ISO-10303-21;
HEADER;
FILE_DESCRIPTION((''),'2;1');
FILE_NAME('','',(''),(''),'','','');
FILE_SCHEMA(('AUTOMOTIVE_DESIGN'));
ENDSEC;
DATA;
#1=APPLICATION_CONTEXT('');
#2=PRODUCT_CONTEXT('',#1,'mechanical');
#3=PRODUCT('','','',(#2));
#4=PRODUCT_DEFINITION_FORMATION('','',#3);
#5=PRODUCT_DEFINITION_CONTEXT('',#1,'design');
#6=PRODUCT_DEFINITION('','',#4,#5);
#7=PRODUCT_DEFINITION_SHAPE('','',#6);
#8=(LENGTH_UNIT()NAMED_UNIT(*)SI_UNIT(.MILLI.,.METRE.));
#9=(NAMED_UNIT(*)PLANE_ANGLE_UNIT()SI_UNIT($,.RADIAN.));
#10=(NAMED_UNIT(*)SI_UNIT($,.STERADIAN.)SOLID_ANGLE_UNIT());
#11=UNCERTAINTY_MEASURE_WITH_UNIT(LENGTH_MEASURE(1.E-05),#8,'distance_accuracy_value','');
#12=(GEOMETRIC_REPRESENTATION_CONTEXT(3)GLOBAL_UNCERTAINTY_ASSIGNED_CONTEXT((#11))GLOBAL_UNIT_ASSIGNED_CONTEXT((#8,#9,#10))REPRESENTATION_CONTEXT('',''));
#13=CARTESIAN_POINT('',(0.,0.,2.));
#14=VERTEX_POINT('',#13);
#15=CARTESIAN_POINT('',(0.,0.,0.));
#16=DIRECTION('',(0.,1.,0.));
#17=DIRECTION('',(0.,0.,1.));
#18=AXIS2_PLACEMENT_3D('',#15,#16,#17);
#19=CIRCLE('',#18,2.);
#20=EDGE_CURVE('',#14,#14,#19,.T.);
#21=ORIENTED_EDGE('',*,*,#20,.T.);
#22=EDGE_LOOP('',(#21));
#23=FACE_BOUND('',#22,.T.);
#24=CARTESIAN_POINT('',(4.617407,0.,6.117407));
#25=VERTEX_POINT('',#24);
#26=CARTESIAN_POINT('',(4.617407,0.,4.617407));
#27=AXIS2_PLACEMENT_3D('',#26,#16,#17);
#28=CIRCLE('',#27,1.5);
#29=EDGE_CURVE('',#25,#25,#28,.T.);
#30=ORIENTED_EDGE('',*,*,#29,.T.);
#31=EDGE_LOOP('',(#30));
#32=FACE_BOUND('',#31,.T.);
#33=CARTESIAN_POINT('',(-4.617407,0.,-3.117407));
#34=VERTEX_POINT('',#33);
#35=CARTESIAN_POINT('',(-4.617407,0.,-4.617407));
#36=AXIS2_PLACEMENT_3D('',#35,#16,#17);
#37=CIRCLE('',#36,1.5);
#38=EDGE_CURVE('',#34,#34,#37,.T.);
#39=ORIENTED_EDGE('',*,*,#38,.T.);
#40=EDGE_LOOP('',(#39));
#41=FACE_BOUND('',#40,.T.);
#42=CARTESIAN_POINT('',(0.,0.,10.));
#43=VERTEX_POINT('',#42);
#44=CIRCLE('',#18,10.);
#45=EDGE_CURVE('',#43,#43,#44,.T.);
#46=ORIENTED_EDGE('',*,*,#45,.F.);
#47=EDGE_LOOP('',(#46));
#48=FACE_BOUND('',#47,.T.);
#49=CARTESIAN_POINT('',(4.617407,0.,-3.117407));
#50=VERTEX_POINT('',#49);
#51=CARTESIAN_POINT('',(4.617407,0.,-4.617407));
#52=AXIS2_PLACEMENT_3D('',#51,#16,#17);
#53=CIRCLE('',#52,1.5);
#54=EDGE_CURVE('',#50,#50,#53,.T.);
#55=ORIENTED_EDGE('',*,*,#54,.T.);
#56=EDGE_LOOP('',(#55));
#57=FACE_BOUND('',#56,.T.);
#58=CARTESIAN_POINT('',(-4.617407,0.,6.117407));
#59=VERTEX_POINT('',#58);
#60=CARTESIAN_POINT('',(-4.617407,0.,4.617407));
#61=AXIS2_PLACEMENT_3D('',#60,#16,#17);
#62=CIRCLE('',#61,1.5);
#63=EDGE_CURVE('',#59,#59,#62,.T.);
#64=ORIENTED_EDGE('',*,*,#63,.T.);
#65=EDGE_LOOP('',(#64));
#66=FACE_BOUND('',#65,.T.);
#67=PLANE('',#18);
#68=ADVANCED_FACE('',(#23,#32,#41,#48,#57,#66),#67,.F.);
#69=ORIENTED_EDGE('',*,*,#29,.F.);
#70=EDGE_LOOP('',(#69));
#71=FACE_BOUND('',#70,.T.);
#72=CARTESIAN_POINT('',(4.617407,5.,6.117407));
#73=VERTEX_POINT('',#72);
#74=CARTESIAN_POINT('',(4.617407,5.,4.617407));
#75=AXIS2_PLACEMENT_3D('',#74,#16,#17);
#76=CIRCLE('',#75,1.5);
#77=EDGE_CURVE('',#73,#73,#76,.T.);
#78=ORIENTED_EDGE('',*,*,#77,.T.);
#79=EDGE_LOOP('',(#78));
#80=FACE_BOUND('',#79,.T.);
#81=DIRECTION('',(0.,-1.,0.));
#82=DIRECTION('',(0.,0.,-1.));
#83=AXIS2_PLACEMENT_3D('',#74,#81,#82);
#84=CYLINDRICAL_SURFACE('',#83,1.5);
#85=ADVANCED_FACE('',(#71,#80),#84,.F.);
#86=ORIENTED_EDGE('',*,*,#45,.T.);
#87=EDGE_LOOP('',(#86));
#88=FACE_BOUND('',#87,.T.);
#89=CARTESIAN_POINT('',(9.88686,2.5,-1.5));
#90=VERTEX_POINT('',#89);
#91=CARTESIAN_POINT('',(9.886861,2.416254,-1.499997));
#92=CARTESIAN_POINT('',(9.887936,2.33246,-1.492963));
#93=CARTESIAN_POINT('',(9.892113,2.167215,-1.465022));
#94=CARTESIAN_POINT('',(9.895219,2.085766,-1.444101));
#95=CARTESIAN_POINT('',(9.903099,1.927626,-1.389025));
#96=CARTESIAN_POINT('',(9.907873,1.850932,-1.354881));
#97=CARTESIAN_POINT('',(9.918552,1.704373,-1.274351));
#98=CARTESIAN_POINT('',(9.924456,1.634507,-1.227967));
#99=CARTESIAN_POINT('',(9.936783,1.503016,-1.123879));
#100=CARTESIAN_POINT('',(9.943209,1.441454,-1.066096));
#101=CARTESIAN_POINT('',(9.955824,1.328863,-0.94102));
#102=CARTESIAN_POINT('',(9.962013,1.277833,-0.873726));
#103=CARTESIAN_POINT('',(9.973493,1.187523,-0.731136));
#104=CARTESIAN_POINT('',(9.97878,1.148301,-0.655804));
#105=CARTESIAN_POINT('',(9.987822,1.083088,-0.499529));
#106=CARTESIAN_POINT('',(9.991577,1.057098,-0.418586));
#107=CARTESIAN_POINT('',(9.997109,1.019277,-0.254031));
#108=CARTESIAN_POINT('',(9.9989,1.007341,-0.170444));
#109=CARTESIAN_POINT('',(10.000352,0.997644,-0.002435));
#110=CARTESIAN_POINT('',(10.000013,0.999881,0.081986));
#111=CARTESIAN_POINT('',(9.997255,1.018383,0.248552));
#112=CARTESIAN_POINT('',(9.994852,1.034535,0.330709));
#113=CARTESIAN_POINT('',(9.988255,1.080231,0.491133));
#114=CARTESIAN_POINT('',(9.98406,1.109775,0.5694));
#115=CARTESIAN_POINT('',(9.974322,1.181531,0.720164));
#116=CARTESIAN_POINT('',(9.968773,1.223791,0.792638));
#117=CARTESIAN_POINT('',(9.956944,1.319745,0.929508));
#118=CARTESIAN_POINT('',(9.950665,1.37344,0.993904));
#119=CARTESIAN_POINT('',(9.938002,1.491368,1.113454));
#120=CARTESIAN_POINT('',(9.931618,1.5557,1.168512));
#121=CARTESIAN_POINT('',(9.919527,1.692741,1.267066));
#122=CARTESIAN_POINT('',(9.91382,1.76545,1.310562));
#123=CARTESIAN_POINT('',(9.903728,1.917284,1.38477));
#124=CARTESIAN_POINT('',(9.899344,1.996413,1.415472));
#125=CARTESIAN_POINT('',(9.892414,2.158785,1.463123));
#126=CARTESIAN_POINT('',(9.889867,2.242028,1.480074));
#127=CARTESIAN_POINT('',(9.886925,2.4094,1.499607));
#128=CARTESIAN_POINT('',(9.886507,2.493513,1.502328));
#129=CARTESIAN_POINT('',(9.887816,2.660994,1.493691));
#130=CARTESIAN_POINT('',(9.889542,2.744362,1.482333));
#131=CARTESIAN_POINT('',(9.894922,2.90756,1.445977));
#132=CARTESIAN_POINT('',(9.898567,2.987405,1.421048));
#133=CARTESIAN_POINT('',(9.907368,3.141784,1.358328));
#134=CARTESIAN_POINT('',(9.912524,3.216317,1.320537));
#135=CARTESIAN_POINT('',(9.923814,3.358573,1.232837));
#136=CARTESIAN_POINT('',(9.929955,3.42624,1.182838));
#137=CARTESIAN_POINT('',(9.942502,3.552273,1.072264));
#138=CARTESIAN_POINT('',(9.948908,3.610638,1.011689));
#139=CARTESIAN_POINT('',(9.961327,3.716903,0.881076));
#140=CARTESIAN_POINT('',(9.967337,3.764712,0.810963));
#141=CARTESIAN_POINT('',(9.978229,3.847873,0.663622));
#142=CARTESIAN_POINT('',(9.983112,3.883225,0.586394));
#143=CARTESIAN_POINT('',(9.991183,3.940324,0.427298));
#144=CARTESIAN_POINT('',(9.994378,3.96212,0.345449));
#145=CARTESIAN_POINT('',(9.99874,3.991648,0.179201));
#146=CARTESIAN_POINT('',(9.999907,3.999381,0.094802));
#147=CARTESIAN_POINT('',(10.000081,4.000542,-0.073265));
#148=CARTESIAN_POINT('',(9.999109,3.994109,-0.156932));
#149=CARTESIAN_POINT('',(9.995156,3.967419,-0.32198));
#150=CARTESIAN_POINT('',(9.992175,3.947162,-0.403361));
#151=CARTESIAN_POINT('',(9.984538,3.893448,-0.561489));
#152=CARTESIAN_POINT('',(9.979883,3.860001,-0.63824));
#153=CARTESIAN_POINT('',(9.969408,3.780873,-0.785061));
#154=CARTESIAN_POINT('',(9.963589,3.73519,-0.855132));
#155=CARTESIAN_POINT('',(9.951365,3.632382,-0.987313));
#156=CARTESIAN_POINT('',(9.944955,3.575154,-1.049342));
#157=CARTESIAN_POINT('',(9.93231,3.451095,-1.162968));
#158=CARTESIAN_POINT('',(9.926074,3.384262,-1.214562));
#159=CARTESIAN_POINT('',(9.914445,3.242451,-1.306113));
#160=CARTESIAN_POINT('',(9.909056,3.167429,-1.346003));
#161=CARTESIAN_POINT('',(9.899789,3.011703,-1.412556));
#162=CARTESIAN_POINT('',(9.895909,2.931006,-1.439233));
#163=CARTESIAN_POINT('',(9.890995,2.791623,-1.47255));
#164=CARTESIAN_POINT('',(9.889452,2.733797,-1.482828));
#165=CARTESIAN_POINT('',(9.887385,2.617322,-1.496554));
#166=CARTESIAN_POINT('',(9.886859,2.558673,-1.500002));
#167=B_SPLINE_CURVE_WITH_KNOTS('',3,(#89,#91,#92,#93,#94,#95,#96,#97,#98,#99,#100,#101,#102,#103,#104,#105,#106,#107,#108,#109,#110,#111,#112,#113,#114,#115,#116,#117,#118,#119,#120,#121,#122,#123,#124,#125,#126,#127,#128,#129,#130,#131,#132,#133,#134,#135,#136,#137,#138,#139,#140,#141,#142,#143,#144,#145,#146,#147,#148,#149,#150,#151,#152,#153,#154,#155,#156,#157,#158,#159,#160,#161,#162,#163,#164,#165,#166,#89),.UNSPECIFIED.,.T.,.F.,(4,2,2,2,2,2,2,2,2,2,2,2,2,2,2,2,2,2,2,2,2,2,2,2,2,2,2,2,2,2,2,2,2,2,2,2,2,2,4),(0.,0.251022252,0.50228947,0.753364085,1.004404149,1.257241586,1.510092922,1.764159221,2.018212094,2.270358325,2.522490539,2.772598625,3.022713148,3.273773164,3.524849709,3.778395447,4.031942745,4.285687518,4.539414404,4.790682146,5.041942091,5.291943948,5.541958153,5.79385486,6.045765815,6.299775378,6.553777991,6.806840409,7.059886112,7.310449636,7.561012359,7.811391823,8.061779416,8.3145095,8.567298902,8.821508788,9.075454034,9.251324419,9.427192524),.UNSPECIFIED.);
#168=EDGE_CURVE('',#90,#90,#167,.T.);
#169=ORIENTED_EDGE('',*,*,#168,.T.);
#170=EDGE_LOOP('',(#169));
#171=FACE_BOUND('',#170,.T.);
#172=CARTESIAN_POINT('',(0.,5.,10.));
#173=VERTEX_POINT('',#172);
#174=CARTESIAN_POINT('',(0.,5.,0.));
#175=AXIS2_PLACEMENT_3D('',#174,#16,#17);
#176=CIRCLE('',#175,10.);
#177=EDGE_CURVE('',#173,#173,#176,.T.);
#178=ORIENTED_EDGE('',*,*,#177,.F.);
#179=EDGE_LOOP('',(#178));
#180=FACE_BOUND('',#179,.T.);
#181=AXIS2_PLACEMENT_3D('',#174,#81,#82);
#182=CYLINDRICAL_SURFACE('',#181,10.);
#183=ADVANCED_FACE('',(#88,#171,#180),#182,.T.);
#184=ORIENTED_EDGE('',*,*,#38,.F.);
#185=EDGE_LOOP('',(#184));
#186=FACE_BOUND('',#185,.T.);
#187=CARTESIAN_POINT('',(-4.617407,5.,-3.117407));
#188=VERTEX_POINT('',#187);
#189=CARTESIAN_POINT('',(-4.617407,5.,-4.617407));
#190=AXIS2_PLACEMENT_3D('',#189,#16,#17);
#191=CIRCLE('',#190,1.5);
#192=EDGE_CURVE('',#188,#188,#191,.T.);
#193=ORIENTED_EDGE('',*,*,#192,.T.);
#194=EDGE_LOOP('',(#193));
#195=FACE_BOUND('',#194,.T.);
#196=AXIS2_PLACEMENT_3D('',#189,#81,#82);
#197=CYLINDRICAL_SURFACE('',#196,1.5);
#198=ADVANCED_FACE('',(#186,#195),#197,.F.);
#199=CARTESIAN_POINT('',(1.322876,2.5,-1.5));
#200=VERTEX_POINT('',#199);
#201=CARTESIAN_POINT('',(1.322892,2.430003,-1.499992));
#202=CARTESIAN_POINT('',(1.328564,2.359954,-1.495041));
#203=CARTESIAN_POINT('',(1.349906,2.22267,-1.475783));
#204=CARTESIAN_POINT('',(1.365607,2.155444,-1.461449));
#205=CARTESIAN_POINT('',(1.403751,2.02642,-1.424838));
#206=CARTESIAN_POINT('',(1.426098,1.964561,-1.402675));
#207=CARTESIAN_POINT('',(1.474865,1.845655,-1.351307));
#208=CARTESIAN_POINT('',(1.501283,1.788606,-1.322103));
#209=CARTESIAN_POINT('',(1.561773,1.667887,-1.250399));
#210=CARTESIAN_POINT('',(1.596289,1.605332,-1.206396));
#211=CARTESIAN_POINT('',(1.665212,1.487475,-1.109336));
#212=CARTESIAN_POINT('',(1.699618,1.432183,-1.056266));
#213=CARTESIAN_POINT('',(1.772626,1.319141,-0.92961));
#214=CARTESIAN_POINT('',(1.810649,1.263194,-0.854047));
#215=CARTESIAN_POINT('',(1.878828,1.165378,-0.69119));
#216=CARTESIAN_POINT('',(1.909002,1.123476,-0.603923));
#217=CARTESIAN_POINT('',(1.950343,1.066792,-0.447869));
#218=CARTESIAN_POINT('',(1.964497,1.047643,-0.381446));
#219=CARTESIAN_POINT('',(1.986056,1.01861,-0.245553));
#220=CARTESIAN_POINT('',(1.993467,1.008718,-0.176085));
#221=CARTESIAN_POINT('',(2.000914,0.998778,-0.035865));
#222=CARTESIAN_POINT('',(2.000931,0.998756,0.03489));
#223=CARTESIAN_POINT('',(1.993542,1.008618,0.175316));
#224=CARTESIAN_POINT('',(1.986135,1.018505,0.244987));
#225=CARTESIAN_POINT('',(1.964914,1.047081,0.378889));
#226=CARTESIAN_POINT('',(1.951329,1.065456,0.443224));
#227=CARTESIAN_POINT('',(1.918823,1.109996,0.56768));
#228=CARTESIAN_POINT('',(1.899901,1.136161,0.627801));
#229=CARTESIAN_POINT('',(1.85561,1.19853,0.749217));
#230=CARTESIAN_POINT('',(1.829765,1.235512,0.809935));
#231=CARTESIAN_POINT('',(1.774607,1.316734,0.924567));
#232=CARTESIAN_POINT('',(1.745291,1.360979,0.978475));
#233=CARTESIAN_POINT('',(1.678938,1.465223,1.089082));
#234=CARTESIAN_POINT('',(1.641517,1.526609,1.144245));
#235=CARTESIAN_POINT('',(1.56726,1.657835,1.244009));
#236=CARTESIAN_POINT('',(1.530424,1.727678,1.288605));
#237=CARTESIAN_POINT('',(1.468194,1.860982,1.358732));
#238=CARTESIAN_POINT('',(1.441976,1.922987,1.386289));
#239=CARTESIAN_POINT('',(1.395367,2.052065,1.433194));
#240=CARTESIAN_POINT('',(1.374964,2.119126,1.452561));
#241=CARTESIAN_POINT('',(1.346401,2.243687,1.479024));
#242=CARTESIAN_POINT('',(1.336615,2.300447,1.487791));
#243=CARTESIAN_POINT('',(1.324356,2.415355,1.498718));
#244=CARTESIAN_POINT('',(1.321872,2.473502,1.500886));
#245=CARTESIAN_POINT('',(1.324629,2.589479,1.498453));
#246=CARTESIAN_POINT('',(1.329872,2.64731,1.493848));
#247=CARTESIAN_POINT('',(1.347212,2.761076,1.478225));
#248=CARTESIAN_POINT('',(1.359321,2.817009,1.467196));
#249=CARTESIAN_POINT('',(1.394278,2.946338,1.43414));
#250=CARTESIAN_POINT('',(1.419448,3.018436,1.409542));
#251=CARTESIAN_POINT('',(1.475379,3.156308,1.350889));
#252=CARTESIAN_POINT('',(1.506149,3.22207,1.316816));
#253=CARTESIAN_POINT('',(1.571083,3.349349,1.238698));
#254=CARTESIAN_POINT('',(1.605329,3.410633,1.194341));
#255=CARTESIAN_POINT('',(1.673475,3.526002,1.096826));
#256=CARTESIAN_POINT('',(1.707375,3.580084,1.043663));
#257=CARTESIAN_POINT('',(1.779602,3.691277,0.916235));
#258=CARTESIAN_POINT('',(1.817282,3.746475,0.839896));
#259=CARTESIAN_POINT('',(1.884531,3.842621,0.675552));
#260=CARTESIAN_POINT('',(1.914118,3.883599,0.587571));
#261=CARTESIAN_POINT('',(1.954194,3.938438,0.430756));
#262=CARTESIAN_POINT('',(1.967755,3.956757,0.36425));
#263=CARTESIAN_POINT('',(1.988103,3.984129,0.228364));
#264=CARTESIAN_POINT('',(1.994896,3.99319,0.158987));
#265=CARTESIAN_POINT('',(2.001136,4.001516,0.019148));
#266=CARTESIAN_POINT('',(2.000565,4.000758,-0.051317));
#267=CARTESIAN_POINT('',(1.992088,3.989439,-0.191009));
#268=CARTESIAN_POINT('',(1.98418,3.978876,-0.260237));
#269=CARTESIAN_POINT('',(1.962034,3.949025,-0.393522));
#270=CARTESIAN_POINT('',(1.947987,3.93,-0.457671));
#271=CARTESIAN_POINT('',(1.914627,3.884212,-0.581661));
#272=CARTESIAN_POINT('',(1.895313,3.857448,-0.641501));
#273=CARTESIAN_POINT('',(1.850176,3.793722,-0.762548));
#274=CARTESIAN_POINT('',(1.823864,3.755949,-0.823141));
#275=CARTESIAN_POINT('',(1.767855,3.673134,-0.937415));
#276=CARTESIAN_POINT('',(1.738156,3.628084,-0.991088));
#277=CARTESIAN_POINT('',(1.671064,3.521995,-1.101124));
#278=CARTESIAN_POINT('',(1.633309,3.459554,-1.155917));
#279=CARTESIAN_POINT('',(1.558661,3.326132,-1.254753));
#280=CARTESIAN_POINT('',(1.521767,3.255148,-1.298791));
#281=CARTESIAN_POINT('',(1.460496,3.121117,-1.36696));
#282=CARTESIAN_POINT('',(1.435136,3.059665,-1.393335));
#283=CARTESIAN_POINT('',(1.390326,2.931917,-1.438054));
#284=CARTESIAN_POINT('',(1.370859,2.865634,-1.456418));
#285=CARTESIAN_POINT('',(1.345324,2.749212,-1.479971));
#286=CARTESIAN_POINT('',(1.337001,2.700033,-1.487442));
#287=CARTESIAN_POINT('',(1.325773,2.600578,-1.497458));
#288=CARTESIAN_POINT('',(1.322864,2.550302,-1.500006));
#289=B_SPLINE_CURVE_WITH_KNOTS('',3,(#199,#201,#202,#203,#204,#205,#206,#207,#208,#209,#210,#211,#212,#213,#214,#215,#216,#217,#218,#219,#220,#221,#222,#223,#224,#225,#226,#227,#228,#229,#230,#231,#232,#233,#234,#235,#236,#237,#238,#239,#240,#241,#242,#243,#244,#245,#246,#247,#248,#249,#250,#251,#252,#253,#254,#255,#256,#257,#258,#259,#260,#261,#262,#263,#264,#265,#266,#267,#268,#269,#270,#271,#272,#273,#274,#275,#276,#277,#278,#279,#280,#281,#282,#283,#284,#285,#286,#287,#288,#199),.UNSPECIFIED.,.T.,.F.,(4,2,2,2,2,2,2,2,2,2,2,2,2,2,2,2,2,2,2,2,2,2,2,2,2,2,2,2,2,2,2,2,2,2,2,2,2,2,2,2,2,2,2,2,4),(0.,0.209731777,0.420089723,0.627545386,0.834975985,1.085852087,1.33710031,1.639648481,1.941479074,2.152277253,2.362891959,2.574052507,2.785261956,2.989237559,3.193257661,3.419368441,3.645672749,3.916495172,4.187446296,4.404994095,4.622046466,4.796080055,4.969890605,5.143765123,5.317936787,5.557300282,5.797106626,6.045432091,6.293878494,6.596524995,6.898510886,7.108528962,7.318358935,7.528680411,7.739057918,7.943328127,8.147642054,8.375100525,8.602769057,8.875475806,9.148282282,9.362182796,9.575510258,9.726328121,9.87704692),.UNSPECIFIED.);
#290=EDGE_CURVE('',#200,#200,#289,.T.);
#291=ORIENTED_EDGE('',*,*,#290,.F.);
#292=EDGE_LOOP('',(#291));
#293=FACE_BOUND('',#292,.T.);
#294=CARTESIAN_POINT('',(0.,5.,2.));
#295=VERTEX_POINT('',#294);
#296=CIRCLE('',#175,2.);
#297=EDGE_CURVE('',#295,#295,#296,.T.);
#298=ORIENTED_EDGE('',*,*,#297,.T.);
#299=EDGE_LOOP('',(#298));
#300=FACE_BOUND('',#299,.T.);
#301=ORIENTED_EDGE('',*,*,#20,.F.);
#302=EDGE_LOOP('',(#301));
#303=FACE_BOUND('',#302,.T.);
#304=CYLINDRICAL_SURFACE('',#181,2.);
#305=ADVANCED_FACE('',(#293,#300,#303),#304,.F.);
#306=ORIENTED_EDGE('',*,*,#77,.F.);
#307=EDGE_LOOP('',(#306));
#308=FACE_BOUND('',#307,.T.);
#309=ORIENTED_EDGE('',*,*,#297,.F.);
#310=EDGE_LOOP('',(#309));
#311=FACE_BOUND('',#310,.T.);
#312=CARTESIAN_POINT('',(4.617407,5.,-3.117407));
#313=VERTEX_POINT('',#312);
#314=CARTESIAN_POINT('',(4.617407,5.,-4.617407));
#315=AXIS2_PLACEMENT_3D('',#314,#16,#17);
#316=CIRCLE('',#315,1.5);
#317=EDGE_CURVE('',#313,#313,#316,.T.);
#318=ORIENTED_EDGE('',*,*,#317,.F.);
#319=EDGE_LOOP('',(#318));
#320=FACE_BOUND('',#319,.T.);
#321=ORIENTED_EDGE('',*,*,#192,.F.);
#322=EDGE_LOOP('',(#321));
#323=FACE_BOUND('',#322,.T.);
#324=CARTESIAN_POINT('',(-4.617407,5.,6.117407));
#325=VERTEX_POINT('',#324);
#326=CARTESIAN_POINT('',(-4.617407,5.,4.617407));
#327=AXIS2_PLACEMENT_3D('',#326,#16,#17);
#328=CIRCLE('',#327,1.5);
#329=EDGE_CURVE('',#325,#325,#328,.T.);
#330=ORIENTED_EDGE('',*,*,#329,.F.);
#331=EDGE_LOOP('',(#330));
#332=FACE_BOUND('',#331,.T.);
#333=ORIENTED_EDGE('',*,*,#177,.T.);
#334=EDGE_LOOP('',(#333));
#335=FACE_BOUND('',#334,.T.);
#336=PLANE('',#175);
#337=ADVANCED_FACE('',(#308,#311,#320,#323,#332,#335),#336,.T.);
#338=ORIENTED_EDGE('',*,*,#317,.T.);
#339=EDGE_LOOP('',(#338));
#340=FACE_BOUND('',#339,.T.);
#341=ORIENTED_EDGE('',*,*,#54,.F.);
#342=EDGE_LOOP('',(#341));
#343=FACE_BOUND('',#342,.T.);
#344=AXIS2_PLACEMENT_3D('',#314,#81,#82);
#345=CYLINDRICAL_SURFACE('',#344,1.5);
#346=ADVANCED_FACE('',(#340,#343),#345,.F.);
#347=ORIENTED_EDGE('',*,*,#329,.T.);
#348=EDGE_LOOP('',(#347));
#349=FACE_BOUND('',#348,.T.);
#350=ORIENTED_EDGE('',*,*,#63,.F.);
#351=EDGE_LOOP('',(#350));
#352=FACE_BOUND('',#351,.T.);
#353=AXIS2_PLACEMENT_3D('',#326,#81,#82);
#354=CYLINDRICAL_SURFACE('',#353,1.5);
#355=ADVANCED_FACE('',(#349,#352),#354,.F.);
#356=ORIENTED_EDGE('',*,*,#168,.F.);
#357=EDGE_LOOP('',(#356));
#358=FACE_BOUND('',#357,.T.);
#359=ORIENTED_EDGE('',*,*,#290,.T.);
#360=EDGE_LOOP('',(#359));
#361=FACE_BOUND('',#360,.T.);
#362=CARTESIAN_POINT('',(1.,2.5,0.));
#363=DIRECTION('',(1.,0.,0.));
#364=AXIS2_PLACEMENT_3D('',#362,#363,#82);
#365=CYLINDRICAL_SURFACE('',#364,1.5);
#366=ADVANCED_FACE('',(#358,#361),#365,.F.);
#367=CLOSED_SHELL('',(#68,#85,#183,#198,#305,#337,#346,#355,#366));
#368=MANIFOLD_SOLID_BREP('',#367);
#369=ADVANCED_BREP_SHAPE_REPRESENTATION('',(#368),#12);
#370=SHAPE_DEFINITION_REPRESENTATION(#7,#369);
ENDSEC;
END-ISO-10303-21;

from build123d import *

# Parameters (mm, degrees)
SKETCH_1_R          = 1.5
EXTRUDE_1_DEPTH     = 5
SKETCH_2_R          = 1.5
CUT_EXTRUDE_4_DEPTH = 9


with BuildPart() as part:
    # Эскиз1 → Бобышка-Вытянуть1 (new body)
    with BuildSketch(Plane(origin=(0, 0, 0), x_dir=(1, 0, 0), z_dir=(0, 1, 0))):
        with BuildLine():
            Line((0, 10), (0, 2))
            ThreePointArc((0, 2), (0.765366865, 1.847759065), (1.414213562, 1.414213562))
            Line((1.414213562, 1.414213562), (3.556747109, 3.556747109))
            ThreePointArc((3.556747109, 3.556747109), (3.556747109, 5.678067453), (5.678067453, 5.678067453))
            Line((5.678067453, 5.678067453), (7.071067812, 7.071067812))
            ThreePointArc((7.071067812, 7.071067812), (3.826834324, 9.238795325), (0, 10))
        make_face()
        with BuildLine():
            ThreePointArc((2, 0), (-1.414213562, -1.414213562), (0, 2))
            Line((0, 2), (0, 10))
            ThreePointArc((0, 10), (-7.071067812, -7.071067812), (10, 0))
            ThreePointArc((10, 0), (9.238795325, 3.826834324), (7.071067812, 7.071067812))
            Line((7.071067812, 7.071067812), (5.678067453, 5.678067453))
            ThreePointArc((5.678067453, 5.678067453), (6.00322658, 5.19143243), (6.117407281, 4.617407281))
            ThreePointArc((6.117407281, 4.617407281), (5.19143243, 3.231587982), (3.556747109, 3.556747109))
            Line((3.556747109, 3.556747109), (1.414213562, 1.414213562))
            ThreePointArc((1.414213562, 1.414213562), (1.847759065, 0.765366865), (2, 0))
        make_face()
        with Locations((-4.617407281, -4.617407281)):
            Circle(SKETCH_1_R, mode=Mode.SUBTRACT)
        with Locations((4.617407281, -4.617407281)):
            Circle(SKETCH_1_R, mode=Mode.SUBTRACT)
        with Locations((-4.617407281, 4.617407281)):
            Circle(SKETCH_1_R, mode=Mode.SUBTRACT)
    extrude(amount=EXTRUDE_1_DEPTH)

    # Эскиз2 → Вырез-Вытянуть4 (cut)
    with BuildSketch(Plane(origin=(10, 0, 0), x_dir=(0, 0, -1), z_dir=(1, 0, 0))):
        with Locations((0, 2.5)):
            Circle(SKETCH_2_R)
    extrude(amount=-CUT_EXTRUDE_4_DEPTH, mode=Mode.SUBTRACT)


solid = part.part
